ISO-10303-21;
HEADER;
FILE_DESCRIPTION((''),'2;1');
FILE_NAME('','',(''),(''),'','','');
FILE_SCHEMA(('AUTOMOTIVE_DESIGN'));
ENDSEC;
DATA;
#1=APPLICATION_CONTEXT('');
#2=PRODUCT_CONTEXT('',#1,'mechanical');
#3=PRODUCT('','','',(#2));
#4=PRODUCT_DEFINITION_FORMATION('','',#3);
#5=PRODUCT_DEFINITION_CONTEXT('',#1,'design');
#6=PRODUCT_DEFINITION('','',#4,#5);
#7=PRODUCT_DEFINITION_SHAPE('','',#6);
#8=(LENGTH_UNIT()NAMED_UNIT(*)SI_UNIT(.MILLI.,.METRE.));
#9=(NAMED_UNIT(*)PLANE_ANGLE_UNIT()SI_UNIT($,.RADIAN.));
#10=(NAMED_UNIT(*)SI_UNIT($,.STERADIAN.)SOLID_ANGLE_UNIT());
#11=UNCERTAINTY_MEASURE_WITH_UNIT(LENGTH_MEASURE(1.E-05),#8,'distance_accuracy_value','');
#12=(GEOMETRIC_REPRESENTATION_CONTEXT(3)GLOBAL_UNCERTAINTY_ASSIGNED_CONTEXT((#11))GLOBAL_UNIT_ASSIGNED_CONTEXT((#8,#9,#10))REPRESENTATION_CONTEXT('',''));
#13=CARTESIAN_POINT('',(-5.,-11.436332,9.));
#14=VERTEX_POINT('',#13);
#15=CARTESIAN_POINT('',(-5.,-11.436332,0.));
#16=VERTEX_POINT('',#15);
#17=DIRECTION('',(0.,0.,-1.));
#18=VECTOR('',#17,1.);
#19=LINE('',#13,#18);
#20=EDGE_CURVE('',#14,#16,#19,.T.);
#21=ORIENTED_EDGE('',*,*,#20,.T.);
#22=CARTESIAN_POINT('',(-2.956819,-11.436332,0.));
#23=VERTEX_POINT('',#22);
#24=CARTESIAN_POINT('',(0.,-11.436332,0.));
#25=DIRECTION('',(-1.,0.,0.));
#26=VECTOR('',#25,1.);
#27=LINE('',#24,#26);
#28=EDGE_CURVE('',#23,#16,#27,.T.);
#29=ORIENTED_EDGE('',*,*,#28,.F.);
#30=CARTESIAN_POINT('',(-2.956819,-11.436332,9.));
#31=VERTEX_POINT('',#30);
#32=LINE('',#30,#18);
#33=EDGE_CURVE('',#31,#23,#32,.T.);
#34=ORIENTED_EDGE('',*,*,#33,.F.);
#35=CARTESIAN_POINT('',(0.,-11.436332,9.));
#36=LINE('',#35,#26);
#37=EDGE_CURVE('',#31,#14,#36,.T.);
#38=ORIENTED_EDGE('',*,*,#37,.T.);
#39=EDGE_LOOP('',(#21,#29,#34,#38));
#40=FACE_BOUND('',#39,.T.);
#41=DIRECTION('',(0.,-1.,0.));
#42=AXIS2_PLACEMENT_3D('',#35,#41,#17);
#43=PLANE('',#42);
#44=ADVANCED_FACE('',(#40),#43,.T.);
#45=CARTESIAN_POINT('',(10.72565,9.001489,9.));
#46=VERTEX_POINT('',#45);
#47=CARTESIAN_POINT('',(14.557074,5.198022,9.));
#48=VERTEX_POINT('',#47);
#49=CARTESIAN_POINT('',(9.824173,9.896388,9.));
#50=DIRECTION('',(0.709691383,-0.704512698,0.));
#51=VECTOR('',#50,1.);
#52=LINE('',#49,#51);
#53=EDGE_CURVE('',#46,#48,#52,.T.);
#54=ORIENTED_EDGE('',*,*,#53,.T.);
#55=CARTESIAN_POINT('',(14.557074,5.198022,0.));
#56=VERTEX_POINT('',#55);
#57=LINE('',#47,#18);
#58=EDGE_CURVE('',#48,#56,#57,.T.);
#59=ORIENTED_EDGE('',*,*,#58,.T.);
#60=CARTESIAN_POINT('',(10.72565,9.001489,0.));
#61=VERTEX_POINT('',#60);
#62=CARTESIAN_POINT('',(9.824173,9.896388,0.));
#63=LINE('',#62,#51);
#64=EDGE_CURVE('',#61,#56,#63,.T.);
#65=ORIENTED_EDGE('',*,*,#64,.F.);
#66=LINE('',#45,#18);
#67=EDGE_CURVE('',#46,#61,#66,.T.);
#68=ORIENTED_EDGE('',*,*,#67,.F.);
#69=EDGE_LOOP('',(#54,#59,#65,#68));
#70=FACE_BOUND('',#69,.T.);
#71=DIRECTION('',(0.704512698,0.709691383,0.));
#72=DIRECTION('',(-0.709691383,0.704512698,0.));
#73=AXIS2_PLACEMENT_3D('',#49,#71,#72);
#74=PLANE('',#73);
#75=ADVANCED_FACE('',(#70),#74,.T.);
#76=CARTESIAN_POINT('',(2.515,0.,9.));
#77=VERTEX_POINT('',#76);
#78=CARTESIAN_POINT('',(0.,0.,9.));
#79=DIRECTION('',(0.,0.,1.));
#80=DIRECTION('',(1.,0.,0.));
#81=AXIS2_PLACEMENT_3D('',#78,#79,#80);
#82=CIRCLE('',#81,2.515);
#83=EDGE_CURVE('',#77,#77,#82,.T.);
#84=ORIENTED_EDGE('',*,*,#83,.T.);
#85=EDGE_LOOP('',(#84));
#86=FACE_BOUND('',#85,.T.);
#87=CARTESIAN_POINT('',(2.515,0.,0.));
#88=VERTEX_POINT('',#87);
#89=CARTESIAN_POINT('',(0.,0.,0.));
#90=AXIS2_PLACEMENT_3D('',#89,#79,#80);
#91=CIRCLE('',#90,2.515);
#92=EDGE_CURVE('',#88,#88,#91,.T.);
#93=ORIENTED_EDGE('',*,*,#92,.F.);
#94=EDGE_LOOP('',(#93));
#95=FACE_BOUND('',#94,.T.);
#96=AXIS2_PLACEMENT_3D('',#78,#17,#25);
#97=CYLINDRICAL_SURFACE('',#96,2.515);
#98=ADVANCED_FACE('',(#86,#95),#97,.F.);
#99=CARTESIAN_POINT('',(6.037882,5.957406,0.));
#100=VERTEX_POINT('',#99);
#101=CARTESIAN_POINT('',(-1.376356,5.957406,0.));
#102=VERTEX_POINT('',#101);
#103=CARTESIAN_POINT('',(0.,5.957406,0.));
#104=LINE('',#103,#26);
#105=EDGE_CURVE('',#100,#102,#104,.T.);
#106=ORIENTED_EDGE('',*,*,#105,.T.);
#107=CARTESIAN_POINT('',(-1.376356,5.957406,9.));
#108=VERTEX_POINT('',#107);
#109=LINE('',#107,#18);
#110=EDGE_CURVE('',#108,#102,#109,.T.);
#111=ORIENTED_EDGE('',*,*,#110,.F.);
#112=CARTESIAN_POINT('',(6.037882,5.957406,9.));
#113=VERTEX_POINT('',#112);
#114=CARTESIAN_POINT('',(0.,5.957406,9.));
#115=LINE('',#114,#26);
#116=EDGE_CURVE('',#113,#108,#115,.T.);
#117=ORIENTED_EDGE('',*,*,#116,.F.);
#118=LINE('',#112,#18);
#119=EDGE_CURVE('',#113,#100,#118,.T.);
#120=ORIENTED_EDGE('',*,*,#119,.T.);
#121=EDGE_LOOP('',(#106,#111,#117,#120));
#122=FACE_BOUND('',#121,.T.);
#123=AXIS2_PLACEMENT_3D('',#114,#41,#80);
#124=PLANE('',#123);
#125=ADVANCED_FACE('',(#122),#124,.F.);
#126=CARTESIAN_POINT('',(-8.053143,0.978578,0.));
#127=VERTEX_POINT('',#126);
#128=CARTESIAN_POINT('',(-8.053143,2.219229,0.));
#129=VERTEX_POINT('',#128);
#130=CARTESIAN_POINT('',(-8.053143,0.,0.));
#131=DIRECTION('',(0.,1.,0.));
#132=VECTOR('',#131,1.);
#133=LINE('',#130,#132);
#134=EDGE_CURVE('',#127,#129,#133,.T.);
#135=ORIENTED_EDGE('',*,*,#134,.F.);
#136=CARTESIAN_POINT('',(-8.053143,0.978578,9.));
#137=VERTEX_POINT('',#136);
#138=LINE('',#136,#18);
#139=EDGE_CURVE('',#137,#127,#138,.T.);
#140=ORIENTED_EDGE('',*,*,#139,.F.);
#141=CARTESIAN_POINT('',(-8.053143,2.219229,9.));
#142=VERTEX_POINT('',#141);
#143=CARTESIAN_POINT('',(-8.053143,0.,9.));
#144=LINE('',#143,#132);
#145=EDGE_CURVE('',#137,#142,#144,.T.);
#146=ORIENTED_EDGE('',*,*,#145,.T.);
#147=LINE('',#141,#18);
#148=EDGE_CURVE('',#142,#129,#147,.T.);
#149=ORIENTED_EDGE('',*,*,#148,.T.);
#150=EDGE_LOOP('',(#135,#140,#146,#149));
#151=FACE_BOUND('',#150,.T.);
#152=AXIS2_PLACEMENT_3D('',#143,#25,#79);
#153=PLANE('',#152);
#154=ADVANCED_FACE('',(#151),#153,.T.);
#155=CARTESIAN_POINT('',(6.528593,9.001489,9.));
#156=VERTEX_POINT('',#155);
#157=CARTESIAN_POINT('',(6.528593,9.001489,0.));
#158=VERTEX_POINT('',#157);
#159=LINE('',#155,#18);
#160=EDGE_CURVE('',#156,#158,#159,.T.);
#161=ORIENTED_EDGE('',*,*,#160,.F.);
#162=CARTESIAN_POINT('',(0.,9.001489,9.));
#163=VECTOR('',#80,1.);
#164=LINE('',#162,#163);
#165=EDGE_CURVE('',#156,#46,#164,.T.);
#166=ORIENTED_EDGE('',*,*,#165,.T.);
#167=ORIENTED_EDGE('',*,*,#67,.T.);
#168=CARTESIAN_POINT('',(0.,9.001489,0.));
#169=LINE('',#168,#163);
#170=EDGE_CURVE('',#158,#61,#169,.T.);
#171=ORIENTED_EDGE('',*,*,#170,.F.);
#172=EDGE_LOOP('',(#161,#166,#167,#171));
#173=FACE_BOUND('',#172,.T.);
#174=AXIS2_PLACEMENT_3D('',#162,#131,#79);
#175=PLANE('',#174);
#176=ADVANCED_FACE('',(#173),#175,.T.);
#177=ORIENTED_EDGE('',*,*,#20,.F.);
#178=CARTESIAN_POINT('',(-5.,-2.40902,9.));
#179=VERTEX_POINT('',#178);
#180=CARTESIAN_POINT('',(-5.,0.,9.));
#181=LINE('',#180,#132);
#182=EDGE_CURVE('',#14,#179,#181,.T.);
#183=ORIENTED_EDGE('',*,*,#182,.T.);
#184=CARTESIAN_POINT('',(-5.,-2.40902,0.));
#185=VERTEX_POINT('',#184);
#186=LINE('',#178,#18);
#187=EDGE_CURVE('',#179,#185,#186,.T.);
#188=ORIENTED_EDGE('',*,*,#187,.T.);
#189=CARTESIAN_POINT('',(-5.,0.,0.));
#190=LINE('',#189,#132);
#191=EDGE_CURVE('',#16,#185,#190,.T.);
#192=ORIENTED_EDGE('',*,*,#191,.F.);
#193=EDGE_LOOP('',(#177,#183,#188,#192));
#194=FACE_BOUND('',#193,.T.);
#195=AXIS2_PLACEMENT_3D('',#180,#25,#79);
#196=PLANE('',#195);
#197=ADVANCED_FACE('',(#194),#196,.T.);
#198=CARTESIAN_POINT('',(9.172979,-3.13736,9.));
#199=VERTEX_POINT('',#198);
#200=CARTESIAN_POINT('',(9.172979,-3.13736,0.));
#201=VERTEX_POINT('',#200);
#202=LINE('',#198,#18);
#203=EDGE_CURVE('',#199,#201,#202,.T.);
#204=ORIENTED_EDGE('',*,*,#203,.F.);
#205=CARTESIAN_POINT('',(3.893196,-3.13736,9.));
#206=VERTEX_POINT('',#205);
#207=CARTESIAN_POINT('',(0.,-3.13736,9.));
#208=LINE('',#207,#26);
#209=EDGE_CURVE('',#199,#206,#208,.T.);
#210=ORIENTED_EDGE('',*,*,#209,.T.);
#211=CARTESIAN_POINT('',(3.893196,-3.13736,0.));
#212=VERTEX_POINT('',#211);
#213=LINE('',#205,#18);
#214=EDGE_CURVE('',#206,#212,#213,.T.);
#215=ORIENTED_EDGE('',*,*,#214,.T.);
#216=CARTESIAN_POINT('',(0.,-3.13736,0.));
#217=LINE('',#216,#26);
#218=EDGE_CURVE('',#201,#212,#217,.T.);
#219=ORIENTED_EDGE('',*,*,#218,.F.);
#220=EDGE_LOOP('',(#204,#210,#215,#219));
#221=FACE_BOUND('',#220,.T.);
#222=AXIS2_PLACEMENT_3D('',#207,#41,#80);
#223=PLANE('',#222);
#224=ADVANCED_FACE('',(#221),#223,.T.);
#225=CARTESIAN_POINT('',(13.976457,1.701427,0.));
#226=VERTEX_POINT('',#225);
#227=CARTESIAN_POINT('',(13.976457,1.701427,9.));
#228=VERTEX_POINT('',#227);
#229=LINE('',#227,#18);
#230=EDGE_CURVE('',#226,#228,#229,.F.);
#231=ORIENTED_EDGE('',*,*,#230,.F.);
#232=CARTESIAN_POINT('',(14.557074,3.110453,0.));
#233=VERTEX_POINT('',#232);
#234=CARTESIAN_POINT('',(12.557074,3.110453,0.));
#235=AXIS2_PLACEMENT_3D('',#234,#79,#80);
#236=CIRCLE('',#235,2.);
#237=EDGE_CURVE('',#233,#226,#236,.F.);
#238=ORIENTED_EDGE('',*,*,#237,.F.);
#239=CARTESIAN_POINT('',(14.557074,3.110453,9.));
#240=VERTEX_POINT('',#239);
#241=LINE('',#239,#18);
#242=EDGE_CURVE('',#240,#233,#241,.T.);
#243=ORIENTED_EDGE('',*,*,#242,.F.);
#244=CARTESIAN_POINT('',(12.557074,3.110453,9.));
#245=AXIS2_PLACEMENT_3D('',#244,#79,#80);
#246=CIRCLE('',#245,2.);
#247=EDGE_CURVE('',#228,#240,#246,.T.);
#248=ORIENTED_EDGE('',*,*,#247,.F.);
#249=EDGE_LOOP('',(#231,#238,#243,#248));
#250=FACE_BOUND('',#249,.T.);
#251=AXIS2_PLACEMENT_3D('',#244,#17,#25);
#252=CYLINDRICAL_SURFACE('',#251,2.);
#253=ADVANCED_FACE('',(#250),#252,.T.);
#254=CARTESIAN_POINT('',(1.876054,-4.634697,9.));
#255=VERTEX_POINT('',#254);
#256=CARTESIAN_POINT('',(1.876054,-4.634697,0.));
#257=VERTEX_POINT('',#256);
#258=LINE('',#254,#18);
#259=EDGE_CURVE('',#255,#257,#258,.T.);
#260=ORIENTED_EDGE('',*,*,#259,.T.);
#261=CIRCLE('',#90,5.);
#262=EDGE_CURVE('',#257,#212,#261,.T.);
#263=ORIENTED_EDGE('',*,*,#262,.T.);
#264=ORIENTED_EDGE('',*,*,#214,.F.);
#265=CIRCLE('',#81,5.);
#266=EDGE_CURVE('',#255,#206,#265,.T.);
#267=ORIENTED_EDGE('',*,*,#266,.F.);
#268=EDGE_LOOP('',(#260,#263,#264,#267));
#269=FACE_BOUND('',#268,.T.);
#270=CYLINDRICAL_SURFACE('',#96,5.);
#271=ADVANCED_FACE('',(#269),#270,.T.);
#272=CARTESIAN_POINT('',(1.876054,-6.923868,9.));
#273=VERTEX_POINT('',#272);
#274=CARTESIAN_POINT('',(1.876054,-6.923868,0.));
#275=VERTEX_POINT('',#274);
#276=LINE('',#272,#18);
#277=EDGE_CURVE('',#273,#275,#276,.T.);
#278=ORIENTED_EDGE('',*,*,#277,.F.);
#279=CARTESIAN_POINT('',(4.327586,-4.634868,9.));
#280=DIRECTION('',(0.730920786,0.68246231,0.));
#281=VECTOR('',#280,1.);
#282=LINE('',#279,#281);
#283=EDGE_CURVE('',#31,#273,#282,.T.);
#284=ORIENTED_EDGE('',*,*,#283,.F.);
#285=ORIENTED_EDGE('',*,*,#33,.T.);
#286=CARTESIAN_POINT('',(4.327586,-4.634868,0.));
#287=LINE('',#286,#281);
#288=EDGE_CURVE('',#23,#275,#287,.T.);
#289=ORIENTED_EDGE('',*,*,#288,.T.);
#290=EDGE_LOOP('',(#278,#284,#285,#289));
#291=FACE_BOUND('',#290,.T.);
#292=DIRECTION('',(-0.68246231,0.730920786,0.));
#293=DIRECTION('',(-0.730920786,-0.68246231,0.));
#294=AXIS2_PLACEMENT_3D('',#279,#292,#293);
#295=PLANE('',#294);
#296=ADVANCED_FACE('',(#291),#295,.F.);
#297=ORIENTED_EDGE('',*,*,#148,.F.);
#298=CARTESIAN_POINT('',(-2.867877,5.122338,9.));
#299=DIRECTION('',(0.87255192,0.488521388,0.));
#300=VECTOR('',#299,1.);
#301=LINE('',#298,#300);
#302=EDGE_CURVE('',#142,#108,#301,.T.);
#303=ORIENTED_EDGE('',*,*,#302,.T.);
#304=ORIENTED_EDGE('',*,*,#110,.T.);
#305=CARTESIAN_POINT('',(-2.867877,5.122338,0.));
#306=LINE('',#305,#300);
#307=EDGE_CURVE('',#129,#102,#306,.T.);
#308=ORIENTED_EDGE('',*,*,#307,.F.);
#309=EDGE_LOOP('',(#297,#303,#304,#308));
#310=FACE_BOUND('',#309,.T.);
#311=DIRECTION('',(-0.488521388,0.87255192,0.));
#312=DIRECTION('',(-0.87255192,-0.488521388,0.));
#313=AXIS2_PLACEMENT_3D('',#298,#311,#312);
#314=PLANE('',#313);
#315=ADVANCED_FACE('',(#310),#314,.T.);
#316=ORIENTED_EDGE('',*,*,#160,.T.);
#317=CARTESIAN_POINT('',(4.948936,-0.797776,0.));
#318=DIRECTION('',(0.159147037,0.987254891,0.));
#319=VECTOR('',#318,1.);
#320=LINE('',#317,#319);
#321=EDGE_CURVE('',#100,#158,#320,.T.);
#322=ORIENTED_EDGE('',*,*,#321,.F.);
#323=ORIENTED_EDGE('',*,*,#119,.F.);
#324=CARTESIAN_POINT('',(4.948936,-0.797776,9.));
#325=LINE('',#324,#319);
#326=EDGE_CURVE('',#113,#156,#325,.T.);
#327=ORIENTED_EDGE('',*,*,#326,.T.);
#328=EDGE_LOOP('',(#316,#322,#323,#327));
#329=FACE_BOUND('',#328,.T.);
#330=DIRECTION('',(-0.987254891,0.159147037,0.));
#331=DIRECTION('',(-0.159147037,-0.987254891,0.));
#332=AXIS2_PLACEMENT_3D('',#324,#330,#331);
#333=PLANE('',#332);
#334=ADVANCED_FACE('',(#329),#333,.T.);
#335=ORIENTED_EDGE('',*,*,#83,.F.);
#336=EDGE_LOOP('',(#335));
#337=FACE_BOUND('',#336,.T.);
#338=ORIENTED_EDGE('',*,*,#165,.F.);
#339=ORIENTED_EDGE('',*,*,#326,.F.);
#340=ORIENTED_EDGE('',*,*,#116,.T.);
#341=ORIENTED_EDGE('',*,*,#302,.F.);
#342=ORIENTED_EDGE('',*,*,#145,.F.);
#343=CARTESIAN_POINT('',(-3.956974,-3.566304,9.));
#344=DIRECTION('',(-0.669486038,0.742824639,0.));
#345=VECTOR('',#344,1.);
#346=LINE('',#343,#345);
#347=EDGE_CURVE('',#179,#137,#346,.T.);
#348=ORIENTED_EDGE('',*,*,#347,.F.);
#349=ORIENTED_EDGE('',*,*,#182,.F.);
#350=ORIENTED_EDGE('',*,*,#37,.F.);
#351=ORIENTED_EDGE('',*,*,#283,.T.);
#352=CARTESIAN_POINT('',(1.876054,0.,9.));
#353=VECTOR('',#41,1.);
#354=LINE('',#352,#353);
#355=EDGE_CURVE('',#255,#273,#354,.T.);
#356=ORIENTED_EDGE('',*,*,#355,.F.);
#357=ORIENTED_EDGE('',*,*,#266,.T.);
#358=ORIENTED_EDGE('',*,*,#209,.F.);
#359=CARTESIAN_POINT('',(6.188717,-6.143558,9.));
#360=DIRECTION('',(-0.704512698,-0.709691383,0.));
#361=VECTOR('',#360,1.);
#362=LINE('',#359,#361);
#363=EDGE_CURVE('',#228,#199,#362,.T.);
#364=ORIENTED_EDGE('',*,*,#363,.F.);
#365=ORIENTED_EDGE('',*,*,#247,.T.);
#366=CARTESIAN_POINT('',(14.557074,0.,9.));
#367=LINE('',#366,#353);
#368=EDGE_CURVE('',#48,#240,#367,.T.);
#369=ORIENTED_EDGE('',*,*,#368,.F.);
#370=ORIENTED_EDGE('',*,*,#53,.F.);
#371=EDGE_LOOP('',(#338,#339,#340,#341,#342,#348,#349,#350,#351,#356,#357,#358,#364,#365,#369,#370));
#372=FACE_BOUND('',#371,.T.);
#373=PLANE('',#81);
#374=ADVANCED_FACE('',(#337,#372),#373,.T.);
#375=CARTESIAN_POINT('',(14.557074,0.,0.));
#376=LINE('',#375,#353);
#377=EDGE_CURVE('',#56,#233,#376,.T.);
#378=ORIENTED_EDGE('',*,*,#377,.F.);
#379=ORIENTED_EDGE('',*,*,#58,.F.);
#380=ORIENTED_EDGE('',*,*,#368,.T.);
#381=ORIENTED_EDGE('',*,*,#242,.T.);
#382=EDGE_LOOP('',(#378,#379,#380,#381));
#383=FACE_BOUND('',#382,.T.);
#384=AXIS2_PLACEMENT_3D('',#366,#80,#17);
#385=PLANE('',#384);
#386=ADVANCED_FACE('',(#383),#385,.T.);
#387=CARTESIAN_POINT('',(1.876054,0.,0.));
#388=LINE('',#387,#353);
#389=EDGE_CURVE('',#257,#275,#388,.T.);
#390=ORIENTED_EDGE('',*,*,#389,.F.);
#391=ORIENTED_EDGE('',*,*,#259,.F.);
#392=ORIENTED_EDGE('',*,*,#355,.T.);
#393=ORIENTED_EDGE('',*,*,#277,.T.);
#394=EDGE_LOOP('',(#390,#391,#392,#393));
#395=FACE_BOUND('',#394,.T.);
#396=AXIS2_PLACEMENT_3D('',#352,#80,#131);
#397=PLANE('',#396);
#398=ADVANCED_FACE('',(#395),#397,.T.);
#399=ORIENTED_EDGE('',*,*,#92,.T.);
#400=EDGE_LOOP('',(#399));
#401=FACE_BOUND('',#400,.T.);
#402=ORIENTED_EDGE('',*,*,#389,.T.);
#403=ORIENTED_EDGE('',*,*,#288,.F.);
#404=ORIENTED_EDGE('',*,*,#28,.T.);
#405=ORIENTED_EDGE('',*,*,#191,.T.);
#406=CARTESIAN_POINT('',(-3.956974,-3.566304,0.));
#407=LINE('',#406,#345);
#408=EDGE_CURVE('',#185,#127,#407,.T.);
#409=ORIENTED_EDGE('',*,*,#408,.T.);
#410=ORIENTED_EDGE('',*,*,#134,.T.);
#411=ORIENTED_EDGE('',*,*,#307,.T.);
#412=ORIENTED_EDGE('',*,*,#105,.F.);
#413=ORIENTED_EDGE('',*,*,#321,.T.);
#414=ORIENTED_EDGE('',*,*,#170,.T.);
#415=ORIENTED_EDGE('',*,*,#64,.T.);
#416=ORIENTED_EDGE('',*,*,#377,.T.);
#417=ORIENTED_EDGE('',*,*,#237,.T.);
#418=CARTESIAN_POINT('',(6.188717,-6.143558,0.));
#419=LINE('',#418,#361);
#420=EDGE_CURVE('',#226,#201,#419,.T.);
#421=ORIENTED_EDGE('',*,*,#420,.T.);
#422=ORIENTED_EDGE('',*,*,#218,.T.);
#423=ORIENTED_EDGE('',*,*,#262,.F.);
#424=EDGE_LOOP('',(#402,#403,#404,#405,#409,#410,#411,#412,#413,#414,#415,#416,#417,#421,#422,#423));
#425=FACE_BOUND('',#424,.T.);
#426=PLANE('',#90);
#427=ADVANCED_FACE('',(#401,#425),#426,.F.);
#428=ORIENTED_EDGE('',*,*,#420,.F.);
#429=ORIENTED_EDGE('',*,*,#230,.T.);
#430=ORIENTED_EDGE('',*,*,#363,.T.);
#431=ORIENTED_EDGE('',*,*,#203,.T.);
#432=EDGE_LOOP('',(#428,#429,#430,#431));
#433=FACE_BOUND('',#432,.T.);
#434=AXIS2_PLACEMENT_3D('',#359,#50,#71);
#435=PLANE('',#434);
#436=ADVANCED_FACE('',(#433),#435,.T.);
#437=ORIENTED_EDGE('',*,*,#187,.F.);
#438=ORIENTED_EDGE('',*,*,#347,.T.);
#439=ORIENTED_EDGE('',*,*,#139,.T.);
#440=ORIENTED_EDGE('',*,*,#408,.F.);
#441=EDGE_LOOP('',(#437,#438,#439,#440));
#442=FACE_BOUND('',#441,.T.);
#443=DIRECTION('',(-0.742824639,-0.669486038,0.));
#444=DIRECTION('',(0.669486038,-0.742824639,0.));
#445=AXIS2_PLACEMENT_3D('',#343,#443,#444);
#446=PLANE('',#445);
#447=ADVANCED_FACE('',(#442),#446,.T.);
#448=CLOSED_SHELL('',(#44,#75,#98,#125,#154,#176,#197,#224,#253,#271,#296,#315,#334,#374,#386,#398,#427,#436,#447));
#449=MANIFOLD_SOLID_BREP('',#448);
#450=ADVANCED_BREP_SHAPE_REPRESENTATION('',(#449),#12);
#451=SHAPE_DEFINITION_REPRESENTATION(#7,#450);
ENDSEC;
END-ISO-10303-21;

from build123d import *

# Parameters (mm, degrees)
SKETCH_1_R      = 2.515
EXTRUDE_1_DEPTH = 9
FILLET_1_R      = 2


with BuildPart() as part:
    # 스케치1 → 보스-돌출1 (new body)
    with BuildSketch(Plane.XY):
        with BuildLine():
            Line((-8.053143001, 0.978578295), (-5, -2.40902013))
            Line((-5, -2.40902013), (-5, -11.436332264))
            Line((-5, -11.436332264), (-2.956819065, -11.436332264))
            Line((-2.956819065, -11.436332264), (1.87605446, -6.923867857))
            Line((1.87605446, -6.923867857), (1.87605446, -4.634697365))
            ThreePointArc((1.87605446, -4.634697365), (2.980195691, -4.014776911), (3.893195608, -3.13736003))
            Line((3.893195608, -3.13736003), (9.172978659, -3.13736003))
            Line((9.172978659, -3.13736003), (14.557074242, 2.286312605))
            Line((14.557074242, 2.286312605), (14.557074242, 5.198022376))
            Line((14.557074242, 5.198022376), (10.725649804, 9.001488547))
            Line((10.725649804, 9.001488547), (6.528593017, 9.001488547))
            Line((6.528593017, 9.001488547), (6.037882178, 5.957406269))
            Line((6.037882178, 5.957406269), (-1.376355668, 5.957406269))
            Line((-1.376355668, 5.957406269), (-8.053143001, 2.219229384))
            Line((-8.053143001, 2.219229384), (-8.053143001, 0.978578295))
        make_face()
        Circle(SKETCH_1_R, mode=Mode.SUBTRACT)
    extrude(amount=EXTRUDE_1_DEPTH)

    # 필렛1
    fillet_1_edges = [part.edges().sort_by_distance(p)[0] for p in [
        (14.557074242, 2.286312605, 4.5),
    ]]
    fillet(fillet_1_edges, radius=FILLET_1_R)


solid = part.part
